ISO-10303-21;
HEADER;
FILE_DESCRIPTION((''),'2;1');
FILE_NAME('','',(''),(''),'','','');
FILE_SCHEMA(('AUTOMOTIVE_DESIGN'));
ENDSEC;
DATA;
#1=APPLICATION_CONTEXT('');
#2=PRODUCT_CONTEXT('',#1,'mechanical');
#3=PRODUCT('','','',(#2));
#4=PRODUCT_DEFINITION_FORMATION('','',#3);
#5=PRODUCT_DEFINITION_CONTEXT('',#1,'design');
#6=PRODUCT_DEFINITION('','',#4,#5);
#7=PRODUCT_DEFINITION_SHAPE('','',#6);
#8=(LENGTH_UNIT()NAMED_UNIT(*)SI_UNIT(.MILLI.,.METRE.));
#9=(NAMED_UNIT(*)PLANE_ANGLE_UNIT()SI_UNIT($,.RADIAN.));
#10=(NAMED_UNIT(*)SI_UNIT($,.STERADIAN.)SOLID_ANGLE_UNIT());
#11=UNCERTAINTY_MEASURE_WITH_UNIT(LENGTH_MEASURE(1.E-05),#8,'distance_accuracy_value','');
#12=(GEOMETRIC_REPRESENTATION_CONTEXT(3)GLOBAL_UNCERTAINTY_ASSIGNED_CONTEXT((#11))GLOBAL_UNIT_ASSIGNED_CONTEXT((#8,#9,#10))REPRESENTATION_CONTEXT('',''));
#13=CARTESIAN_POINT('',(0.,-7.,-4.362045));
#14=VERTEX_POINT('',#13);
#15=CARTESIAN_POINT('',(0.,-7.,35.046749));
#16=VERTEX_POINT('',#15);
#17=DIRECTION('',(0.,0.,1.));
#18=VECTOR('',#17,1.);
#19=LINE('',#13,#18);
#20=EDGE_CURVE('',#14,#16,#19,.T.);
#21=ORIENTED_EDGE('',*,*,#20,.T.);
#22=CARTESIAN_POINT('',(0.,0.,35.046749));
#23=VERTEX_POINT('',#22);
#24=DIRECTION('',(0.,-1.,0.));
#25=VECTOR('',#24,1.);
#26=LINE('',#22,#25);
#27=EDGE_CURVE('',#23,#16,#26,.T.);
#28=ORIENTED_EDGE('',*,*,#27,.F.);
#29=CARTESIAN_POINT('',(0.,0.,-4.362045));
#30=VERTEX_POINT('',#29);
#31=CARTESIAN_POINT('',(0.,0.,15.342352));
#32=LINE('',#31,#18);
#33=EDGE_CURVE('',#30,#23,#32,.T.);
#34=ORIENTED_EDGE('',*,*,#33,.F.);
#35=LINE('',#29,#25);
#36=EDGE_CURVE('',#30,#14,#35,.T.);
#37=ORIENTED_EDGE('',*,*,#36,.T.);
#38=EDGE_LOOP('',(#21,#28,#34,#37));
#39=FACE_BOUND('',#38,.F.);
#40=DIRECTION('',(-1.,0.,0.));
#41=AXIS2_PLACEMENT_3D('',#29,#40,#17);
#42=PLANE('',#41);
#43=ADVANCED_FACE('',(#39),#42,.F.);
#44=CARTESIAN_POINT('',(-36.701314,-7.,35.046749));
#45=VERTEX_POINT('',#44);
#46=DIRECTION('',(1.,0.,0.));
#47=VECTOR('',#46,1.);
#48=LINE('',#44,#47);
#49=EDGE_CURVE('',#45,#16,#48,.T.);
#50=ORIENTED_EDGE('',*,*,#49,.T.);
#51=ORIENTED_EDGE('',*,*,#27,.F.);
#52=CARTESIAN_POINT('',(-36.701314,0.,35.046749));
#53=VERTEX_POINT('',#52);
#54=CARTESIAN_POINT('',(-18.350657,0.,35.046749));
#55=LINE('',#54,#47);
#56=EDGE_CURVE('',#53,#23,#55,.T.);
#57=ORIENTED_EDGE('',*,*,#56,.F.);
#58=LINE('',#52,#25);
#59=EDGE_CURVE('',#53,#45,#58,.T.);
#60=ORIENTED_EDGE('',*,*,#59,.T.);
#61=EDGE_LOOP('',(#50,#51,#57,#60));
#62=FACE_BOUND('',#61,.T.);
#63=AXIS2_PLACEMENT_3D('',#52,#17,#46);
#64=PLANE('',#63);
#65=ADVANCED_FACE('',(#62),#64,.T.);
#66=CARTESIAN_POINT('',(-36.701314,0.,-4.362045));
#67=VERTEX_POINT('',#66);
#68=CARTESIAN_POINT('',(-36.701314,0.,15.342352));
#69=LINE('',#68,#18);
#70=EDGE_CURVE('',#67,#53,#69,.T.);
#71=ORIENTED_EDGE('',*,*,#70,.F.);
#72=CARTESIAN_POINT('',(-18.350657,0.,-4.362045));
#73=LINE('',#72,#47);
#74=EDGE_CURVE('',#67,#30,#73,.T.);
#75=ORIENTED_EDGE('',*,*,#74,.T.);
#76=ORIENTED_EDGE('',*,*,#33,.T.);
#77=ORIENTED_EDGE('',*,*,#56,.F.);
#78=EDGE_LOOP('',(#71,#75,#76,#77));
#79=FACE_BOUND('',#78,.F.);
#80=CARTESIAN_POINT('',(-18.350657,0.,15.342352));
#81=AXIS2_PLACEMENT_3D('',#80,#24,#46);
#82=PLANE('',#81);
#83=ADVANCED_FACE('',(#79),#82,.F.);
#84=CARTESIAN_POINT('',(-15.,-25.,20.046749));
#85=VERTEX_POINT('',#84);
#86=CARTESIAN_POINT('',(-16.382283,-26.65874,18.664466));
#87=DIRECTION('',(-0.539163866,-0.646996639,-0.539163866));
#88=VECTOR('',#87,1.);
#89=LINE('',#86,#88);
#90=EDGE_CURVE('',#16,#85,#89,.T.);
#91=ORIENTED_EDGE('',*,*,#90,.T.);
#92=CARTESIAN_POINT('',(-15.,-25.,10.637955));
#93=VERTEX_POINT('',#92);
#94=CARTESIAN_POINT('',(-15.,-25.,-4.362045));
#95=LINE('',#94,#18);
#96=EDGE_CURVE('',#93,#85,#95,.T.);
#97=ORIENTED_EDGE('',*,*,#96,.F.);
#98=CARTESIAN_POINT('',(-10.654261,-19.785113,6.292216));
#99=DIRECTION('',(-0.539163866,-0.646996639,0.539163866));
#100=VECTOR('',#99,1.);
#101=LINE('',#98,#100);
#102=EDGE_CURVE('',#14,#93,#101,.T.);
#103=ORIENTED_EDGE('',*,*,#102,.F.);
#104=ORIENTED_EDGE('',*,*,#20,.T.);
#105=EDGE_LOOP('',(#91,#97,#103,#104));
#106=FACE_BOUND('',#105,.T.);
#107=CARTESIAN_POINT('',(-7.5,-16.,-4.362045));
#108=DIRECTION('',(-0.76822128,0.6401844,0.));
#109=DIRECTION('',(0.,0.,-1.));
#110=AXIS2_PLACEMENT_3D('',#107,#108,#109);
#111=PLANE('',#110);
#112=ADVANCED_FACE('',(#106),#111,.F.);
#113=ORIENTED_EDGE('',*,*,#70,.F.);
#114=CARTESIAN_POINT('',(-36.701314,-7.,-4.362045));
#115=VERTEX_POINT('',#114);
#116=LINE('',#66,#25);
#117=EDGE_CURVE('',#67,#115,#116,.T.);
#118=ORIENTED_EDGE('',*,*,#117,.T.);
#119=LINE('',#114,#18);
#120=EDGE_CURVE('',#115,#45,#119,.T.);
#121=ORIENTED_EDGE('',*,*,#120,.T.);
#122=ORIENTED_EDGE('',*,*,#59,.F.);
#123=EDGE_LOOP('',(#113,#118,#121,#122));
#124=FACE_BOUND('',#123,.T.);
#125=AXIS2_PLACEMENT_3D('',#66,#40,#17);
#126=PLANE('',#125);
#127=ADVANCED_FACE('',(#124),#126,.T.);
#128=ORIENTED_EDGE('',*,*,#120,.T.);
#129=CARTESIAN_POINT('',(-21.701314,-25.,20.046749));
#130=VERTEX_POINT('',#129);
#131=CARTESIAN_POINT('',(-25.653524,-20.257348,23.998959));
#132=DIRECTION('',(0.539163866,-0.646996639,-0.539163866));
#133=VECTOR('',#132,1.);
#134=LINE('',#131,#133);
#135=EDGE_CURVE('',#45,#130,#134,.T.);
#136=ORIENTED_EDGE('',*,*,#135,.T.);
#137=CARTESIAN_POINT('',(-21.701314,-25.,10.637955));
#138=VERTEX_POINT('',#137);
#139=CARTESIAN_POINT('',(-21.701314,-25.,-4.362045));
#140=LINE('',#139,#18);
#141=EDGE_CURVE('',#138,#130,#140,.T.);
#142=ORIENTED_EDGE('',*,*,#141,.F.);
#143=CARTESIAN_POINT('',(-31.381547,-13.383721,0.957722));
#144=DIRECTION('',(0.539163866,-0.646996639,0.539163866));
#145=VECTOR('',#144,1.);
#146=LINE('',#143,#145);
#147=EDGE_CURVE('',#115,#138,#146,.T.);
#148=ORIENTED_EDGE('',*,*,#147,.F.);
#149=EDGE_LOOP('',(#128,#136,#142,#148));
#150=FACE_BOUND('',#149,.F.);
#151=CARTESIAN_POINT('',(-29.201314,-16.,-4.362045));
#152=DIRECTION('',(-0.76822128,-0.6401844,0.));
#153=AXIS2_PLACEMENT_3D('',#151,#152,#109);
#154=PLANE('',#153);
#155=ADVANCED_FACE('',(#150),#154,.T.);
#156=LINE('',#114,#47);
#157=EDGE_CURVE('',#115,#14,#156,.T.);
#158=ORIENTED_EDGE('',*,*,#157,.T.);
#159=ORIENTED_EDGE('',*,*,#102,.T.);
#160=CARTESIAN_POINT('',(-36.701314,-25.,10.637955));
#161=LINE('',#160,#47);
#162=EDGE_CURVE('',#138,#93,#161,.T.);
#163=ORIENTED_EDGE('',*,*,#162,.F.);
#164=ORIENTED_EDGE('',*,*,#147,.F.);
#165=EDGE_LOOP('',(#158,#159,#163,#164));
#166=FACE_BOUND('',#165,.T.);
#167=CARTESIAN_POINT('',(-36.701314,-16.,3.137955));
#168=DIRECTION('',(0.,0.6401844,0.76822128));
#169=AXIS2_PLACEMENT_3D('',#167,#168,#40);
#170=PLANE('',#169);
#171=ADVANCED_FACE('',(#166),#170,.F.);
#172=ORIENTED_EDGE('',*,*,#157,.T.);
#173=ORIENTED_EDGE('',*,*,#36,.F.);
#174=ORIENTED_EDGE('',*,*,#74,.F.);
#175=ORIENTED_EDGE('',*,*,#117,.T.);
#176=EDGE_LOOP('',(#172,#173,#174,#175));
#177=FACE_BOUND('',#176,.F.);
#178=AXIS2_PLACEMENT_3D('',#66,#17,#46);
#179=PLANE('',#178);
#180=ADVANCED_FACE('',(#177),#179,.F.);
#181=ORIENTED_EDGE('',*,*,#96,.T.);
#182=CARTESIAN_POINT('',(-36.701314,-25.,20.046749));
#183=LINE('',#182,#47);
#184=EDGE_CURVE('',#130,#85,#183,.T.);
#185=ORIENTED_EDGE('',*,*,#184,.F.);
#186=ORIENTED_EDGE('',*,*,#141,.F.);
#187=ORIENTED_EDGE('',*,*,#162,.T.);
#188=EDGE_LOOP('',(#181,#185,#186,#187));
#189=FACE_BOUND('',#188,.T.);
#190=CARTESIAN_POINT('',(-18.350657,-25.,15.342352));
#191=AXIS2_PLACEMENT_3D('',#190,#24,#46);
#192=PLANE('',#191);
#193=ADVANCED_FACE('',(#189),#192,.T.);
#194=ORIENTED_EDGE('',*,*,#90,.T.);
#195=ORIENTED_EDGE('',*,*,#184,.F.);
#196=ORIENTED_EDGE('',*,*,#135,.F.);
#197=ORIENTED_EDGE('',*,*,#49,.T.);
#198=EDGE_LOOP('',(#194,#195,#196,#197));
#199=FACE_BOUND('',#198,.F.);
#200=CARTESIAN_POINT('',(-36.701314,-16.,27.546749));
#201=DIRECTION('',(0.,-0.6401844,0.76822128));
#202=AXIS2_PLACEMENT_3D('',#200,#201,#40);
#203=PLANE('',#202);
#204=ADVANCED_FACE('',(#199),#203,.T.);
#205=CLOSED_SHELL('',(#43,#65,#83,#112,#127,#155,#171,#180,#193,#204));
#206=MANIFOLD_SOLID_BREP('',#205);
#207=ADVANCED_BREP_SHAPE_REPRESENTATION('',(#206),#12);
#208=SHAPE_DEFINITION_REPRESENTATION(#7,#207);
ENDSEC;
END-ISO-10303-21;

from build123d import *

# Parameters (mm, degrees)
F0_W     = 36.701314
F0_H     = 39.408794
F1_DEPTH = 25
F2_SIZE2 = 15
F2_SIZE  = 18


with BuildPart() as f1:
    # F0 (on Front) → F1 (new body)
    with BuildSketch(Plane.XZ):
        with Locations((-18.350657, 15.342352)):
            Rectangle(F0_W, F0_H)
    extrude(amount=F1_DEPTH)

    # F2
    f2_edges = [f1.edges().sort_by_distance(p)[0] for p in [
        (-18.350657, -25, -4.362045),
        (0, -25, 15.342352),
        (-18.350657, -25, 35.046749),
        (-36.701314, -25, 15.342352),
    ]]
    chamfer(f2_edges, length=F2_SIZE, length2=F2_SIZE2)


solid = f1.part
